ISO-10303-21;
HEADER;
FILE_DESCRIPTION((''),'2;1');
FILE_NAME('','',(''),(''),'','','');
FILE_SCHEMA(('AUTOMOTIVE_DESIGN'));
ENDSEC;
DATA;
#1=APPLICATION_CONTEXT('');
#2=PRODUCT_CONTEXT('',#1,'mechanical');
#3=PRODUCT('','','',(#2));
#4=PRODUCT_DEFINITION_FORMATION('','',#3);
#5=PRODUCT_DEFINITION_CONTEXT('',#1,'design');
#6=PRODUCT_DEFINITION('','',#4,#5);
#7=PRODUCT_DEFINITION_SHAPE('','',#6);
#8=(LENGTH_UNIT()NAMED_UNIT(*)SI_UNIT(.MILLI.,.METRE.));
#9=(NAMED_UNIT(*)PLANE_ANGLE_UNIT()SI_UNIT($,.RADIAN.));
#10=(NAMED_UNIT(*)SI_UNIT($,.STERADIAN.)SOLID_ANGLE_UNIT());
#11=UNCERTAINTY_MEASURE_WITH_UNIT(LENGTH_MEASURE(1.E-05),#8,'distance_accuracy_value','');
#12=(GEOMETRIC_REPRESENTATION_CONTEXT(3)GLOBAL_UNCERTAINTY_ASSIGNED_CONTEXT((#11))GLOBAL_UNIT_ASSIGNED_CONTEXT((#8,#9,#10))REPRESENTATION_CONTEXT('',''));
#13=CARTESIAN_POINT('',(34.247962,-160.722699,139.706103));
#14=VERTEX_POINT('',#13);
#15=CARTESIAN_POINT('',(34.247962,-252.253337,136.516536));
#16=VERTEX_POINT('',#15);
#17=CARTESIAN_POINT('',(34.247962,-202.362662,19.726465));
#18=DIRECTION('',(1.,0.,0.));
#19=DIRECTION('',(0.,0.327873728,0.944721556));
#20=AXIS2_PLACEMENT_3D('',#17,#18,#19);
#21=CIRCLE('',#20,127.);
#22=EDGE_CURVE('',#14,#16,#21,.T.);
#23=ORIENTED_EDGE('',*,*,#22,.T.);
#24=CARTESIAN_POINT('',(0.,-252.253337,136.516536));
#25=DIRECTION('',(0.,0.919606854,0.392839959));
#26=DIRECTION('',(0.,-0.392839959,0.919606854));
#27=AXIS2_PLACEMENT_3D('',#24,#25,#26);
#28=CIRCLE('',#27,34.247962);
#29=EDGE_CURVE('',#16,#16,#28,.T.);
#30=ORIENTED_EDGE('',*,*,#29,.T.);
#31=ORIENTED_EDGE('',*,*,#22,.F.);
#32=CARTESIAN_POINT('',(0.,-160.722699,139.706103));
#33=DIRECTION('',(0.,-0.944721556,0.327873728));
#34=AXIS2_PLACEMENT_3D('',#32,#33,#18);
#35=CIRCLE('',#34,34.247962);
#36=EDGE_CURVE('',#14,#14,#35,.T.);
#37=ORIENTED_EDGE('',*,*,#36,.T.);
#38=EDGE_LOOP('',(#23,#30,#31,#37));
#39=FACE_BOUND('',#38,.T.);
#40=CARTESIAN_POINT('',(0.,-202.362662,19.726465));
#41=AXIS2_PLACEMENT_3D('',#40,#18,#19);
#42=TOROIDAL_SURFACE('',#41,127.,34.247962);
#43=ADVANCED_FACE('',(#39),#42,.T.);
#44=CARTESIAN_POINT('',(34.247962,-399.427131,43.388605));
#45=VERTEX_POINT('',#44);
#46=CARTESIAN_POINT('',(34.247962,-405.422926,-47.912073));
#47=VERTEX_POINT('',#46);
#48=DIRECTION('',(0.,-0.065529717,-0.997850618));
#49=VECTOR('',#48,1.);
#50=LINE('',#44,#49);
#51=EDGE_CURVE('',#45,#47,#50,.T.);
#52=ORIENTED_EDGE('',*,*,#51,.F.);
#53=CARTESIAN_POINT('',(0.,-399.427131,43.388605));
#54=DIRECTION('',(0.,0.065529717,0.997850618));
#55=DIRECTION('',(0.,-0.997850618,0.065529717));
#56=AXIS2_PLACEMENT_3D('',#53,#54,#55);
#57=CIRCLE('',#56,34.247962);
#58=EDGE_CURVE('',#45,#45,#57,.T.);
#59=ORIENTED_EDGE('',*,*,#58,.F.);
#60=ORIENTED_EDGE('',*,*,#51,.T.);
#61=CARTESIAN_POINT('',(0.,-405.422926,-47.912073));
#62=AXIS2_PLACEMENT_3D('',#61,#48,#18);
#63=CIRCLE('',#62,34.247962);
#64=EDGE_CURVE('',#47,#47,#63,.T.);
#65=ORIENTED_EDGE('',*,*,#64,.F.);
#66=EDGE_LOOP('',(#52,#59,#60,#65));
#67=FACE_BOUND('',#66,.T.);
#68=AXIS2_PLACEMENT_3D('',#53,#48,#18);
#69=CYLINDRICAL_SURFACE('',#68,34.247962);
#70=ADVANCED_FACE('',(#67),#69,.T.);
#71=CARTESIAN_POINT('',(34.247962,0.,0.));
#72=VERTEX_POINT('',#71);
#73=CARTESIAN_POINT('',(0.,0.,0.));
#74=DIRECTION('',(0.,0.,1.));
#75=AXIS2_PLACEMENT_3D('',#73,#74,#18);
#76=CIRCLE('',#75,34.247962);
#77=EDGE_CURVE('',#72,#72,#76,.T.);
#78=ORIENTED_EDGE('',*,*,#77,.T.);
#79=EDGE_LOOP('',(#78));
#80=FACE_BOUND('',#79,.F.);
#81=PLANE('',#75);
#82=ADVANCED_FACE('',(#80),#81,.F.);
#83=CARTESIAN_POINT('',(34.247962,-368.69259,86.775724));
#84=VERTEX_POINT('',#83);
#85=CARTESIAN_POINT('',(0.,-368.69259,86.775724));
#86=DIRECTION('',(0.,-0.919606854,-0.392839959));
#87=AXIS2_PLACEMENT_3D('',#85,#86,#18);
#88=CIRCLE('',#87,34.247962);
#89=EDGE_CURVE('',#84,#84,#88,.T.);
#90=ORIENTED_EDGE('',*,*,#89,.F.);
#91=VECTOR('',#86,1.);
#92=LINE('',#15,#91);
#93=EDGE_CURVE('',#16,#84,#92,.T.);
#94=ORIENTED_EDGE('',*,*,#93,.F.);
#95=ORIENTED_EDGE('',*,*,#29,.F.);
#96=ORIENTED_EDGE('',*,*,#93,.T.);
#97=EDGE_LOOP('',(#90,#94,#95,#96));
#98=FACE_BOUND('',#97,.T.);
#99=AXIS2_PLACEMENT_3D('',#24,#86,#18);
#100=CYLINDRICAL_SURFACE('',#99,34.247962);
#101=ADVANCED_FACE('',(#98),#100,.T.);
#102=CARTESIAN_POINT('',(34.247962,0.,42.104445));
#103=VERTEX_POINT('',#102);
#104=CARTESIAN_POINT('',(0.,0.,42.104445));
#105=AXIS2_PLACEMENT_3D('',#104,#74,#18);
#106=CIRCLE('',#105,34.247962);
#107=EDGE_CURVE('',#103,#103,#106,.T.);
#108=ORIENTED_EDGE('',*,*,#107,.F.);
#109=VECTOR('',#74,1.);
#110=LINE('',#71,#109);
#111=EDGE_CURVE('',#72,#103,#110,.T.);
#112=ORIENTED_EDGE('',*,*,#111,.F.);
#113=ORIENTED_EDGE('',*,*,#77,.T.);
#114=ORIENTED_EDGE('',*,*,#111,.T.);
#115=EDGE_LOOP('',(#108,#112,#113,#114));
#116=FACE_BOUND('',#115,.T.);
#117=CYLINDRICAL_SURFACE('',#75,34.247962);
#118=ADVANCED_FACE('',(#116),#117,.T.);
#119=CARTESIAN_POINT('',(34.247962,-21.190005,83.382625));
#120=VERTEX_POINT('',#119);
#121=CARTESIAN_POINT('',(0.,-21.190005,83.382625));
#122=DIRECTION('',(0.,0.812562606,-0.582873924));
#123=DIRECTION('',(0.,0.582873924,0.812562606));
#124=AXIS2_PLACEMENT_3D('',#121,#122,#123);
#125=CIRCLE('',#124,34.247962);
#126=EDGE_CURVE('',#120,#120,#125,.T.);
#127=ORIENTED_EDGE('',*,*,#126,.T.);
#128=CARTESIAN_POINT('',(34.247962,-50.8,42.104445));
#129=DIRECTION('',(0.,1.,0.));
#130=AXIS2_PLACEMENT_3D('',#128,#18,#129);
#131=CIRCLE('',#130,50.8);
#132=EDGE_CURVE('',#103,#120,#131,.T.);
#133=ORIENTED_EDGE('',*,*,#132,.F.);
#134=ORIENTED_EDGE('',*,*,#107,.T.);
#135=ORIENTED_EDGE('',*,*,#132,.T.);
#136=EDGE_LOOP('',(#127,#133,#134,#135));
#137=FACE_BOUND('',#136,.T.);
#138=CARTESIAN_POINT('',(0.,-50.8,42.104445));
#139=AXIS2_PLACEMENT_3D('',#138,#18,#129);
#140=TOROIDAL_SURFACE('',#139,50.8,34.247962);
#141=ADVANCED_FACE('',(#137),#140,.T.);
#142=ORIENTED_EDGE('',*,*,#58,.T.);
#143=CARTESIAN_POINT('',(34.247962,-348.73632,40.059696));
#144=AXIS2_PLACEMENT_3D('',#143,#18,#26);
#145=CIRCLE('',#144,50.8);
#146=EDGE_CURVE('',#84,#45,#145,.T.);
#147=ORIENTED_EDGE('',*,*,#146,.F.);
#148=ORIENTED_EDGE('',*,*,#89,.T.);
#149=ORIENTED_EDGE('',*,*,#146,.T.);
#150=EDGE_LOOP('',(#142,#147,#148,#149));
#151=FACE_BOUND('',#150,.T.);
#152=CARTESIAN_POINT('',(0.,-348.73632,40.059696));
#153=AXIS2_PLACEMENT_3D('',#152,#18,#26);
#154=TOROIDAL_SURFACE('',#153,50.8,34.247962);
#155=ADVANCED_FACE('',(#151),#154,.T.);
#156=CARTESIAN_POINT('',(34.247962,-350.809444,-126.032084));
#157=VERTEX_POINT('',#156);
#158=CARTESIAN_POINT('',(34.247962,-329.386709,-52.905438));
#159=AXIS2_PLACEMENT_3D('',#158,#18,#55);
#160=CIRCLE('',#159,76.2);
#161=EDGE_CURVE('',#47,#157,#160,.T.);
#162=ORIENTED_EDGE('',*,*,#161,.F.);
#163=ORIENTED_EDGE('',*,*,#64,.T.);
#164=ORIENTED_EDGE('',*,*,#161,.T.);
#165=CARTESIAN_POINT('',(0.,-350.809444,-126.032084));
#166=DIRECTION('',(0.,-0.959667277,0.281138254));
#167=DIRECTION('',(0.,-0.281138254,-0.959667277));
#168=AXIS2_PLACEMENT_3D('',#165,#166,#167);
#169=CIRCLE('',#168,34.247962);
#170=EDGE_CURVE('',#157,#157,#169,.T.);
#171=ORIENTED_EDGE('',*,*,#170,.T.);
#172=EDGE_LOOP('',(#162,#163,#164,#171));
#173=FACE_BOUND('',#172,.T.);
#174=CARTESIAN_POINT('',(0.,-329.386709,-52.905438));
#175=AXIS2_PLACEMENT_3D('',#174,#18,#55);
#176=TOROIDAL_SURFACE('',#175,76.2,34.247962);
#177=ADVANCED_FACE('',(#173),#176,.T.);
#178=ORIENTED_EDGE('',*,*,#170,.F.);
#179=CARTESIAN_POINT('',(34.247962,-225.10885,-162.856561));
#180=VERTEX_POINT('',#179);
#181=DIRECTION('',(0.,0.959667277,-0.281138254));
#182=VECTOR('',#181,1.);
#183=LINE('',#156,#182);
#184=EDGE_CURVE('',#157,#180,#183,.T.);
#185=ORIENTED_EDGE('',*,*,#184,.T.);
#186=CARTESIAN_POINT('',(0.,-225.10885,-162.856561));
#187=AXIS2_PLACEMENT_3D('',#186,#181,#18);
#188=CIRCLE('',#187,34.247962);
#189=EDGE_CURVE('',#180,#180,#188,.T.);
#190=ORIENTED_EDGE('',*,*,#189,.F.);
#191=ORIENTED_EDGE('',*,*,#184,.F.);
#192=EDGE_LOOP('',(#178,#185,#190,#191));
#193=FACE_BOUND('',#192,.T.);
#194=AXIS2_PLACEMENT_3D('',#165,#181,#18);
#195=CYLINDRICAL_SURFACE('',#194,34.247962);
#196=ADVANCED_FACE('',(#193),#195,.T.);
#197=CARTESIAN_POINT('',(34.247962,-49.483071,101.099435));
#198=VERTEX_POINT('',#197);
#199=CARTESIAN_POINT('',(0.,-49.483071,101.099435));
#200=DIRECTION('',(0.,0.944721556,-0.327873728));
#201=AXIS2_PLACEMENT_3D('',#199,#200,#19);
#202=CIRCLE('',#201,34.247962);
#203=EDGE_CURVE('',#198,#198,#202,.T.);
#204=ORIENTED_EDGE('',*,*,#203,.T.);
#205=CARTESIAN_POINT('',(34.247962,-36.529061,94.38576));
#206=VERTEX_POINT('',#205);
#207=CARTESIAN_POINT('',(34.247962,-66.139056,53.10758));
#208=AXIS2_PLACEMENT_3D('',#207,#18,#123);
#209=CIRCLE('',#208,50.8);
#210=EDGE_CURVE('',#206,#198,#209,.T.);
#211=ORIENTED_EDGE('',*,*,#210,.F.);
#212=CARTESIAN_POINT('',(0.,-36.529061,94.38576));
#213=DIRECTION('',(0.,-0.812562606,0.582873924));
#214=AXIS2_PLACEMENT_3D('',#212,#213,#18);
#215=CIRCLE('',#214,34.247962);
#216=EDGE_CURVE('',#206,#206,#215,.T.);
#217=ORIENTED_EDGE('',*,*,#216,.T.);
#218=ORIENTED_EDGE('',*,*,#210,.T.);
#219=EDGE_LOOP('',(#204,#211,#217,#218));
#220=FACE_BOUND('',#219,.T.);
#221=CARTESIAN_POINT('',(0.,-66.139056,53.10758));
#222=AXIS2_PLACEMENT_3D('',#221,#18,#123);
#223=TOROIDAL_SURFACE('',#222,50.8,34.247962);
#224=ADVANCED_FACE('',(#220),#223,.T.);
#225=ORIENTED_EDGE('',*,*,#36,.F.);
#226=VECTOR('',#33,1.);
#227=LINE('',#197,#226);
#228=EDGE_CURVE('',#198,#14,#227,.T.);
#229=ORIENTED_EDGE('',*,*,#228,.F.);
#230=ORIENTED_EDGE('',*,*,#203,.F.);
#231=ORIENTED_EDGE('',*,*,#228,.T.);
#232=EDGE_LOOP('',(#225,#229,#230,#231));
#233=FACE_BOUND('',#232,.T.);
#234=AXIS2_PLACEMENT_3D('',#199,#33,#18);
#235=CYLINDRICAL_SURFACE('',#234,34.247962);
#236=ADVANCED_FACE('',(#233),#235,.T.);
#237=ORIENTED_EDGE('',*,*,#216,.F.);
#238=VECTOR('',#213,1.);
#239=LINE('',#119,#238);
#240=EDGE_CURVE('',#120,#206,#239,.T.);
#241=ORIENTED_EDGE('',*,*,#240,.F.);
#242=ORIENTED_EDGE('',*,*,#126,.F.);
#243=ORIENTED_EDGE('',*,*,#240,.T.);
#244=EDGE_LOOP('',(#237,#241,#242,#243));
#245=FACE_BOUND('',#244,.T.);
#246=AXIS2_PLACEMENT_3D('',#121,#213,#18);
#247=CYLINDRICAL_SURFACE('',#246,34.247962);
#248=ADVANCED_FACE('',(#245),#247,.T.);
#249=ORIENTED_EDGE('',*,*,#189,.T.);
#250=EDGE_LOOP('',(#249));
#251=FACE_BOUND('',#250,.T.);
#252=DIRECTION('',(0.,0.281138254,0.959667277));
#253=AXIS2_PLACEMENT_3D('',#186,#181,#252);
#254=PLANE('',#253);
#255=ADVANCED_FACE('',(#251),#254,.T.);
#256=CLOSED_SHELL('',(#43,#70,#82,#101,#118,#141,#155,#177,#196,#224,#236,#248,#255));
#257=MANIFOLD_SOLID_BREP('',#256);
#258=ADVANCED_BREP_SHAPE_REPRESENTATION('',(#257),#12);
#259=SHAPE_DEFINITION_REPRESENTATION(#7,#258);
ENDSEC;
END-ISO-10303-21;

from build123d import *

# Parameters (mm, degrees)
F0_R = 34.2479621902


with BuildPart() as f2:
    # F2: sweep along a path in F1
    with BuildLine(Plane.YZ) as f2_path:
        Line((0, 0), (0, 42.1044450237))
        ThreePointArc((0, 42.1044450237), (-5.6069266237, 65.3041458582), (-21.1900046775, 83.3826254221))
        Line((-21.1900046775, 83.3826254221), (-36.5290609103, 94.3857602241))
        ThreePointArc((-36.5290609103, 94.3857602241), (-42.763778711, 98.2100897423), (-49.4830708618, 101.0994348776))
        Line((-49.4830708618, 101.0994348776), (-160.7226986152, 139.7061028327))
        ThreePointArc((-160.7226986152, 139.7061028327), (-206.7855450766, 146.6494265049), (-252.25333688, 136.5165356896))
        Line((-252.25333688, 136.5165356896), (-368.6925900292, 86.7757238812))
        ThreePointArc((-368.6925900292, 86.7757238812), (-390.1894627935, 69.4242484731), (-399.4271314968, 43.3886053197))
        Line((-399.4271314968, 43.3886053197), (-405.4229263948, -47.9120732419))
        ThreePointArc((-405.4229263948, -47.9120732419), (-391.8386577153, -96.5654209485), (-350.8094442607, -126.0320841785))
        Line((-350.8094442607, -126.0320841785), (-225.1088500457, -162.8565612302))
    # F0 (on Top) → F2 (sweep)
    with BuildSketch(Plane.XY):
        Circle(F0_R)
    sweep(path=f2_path.line)


solid = f2.part
